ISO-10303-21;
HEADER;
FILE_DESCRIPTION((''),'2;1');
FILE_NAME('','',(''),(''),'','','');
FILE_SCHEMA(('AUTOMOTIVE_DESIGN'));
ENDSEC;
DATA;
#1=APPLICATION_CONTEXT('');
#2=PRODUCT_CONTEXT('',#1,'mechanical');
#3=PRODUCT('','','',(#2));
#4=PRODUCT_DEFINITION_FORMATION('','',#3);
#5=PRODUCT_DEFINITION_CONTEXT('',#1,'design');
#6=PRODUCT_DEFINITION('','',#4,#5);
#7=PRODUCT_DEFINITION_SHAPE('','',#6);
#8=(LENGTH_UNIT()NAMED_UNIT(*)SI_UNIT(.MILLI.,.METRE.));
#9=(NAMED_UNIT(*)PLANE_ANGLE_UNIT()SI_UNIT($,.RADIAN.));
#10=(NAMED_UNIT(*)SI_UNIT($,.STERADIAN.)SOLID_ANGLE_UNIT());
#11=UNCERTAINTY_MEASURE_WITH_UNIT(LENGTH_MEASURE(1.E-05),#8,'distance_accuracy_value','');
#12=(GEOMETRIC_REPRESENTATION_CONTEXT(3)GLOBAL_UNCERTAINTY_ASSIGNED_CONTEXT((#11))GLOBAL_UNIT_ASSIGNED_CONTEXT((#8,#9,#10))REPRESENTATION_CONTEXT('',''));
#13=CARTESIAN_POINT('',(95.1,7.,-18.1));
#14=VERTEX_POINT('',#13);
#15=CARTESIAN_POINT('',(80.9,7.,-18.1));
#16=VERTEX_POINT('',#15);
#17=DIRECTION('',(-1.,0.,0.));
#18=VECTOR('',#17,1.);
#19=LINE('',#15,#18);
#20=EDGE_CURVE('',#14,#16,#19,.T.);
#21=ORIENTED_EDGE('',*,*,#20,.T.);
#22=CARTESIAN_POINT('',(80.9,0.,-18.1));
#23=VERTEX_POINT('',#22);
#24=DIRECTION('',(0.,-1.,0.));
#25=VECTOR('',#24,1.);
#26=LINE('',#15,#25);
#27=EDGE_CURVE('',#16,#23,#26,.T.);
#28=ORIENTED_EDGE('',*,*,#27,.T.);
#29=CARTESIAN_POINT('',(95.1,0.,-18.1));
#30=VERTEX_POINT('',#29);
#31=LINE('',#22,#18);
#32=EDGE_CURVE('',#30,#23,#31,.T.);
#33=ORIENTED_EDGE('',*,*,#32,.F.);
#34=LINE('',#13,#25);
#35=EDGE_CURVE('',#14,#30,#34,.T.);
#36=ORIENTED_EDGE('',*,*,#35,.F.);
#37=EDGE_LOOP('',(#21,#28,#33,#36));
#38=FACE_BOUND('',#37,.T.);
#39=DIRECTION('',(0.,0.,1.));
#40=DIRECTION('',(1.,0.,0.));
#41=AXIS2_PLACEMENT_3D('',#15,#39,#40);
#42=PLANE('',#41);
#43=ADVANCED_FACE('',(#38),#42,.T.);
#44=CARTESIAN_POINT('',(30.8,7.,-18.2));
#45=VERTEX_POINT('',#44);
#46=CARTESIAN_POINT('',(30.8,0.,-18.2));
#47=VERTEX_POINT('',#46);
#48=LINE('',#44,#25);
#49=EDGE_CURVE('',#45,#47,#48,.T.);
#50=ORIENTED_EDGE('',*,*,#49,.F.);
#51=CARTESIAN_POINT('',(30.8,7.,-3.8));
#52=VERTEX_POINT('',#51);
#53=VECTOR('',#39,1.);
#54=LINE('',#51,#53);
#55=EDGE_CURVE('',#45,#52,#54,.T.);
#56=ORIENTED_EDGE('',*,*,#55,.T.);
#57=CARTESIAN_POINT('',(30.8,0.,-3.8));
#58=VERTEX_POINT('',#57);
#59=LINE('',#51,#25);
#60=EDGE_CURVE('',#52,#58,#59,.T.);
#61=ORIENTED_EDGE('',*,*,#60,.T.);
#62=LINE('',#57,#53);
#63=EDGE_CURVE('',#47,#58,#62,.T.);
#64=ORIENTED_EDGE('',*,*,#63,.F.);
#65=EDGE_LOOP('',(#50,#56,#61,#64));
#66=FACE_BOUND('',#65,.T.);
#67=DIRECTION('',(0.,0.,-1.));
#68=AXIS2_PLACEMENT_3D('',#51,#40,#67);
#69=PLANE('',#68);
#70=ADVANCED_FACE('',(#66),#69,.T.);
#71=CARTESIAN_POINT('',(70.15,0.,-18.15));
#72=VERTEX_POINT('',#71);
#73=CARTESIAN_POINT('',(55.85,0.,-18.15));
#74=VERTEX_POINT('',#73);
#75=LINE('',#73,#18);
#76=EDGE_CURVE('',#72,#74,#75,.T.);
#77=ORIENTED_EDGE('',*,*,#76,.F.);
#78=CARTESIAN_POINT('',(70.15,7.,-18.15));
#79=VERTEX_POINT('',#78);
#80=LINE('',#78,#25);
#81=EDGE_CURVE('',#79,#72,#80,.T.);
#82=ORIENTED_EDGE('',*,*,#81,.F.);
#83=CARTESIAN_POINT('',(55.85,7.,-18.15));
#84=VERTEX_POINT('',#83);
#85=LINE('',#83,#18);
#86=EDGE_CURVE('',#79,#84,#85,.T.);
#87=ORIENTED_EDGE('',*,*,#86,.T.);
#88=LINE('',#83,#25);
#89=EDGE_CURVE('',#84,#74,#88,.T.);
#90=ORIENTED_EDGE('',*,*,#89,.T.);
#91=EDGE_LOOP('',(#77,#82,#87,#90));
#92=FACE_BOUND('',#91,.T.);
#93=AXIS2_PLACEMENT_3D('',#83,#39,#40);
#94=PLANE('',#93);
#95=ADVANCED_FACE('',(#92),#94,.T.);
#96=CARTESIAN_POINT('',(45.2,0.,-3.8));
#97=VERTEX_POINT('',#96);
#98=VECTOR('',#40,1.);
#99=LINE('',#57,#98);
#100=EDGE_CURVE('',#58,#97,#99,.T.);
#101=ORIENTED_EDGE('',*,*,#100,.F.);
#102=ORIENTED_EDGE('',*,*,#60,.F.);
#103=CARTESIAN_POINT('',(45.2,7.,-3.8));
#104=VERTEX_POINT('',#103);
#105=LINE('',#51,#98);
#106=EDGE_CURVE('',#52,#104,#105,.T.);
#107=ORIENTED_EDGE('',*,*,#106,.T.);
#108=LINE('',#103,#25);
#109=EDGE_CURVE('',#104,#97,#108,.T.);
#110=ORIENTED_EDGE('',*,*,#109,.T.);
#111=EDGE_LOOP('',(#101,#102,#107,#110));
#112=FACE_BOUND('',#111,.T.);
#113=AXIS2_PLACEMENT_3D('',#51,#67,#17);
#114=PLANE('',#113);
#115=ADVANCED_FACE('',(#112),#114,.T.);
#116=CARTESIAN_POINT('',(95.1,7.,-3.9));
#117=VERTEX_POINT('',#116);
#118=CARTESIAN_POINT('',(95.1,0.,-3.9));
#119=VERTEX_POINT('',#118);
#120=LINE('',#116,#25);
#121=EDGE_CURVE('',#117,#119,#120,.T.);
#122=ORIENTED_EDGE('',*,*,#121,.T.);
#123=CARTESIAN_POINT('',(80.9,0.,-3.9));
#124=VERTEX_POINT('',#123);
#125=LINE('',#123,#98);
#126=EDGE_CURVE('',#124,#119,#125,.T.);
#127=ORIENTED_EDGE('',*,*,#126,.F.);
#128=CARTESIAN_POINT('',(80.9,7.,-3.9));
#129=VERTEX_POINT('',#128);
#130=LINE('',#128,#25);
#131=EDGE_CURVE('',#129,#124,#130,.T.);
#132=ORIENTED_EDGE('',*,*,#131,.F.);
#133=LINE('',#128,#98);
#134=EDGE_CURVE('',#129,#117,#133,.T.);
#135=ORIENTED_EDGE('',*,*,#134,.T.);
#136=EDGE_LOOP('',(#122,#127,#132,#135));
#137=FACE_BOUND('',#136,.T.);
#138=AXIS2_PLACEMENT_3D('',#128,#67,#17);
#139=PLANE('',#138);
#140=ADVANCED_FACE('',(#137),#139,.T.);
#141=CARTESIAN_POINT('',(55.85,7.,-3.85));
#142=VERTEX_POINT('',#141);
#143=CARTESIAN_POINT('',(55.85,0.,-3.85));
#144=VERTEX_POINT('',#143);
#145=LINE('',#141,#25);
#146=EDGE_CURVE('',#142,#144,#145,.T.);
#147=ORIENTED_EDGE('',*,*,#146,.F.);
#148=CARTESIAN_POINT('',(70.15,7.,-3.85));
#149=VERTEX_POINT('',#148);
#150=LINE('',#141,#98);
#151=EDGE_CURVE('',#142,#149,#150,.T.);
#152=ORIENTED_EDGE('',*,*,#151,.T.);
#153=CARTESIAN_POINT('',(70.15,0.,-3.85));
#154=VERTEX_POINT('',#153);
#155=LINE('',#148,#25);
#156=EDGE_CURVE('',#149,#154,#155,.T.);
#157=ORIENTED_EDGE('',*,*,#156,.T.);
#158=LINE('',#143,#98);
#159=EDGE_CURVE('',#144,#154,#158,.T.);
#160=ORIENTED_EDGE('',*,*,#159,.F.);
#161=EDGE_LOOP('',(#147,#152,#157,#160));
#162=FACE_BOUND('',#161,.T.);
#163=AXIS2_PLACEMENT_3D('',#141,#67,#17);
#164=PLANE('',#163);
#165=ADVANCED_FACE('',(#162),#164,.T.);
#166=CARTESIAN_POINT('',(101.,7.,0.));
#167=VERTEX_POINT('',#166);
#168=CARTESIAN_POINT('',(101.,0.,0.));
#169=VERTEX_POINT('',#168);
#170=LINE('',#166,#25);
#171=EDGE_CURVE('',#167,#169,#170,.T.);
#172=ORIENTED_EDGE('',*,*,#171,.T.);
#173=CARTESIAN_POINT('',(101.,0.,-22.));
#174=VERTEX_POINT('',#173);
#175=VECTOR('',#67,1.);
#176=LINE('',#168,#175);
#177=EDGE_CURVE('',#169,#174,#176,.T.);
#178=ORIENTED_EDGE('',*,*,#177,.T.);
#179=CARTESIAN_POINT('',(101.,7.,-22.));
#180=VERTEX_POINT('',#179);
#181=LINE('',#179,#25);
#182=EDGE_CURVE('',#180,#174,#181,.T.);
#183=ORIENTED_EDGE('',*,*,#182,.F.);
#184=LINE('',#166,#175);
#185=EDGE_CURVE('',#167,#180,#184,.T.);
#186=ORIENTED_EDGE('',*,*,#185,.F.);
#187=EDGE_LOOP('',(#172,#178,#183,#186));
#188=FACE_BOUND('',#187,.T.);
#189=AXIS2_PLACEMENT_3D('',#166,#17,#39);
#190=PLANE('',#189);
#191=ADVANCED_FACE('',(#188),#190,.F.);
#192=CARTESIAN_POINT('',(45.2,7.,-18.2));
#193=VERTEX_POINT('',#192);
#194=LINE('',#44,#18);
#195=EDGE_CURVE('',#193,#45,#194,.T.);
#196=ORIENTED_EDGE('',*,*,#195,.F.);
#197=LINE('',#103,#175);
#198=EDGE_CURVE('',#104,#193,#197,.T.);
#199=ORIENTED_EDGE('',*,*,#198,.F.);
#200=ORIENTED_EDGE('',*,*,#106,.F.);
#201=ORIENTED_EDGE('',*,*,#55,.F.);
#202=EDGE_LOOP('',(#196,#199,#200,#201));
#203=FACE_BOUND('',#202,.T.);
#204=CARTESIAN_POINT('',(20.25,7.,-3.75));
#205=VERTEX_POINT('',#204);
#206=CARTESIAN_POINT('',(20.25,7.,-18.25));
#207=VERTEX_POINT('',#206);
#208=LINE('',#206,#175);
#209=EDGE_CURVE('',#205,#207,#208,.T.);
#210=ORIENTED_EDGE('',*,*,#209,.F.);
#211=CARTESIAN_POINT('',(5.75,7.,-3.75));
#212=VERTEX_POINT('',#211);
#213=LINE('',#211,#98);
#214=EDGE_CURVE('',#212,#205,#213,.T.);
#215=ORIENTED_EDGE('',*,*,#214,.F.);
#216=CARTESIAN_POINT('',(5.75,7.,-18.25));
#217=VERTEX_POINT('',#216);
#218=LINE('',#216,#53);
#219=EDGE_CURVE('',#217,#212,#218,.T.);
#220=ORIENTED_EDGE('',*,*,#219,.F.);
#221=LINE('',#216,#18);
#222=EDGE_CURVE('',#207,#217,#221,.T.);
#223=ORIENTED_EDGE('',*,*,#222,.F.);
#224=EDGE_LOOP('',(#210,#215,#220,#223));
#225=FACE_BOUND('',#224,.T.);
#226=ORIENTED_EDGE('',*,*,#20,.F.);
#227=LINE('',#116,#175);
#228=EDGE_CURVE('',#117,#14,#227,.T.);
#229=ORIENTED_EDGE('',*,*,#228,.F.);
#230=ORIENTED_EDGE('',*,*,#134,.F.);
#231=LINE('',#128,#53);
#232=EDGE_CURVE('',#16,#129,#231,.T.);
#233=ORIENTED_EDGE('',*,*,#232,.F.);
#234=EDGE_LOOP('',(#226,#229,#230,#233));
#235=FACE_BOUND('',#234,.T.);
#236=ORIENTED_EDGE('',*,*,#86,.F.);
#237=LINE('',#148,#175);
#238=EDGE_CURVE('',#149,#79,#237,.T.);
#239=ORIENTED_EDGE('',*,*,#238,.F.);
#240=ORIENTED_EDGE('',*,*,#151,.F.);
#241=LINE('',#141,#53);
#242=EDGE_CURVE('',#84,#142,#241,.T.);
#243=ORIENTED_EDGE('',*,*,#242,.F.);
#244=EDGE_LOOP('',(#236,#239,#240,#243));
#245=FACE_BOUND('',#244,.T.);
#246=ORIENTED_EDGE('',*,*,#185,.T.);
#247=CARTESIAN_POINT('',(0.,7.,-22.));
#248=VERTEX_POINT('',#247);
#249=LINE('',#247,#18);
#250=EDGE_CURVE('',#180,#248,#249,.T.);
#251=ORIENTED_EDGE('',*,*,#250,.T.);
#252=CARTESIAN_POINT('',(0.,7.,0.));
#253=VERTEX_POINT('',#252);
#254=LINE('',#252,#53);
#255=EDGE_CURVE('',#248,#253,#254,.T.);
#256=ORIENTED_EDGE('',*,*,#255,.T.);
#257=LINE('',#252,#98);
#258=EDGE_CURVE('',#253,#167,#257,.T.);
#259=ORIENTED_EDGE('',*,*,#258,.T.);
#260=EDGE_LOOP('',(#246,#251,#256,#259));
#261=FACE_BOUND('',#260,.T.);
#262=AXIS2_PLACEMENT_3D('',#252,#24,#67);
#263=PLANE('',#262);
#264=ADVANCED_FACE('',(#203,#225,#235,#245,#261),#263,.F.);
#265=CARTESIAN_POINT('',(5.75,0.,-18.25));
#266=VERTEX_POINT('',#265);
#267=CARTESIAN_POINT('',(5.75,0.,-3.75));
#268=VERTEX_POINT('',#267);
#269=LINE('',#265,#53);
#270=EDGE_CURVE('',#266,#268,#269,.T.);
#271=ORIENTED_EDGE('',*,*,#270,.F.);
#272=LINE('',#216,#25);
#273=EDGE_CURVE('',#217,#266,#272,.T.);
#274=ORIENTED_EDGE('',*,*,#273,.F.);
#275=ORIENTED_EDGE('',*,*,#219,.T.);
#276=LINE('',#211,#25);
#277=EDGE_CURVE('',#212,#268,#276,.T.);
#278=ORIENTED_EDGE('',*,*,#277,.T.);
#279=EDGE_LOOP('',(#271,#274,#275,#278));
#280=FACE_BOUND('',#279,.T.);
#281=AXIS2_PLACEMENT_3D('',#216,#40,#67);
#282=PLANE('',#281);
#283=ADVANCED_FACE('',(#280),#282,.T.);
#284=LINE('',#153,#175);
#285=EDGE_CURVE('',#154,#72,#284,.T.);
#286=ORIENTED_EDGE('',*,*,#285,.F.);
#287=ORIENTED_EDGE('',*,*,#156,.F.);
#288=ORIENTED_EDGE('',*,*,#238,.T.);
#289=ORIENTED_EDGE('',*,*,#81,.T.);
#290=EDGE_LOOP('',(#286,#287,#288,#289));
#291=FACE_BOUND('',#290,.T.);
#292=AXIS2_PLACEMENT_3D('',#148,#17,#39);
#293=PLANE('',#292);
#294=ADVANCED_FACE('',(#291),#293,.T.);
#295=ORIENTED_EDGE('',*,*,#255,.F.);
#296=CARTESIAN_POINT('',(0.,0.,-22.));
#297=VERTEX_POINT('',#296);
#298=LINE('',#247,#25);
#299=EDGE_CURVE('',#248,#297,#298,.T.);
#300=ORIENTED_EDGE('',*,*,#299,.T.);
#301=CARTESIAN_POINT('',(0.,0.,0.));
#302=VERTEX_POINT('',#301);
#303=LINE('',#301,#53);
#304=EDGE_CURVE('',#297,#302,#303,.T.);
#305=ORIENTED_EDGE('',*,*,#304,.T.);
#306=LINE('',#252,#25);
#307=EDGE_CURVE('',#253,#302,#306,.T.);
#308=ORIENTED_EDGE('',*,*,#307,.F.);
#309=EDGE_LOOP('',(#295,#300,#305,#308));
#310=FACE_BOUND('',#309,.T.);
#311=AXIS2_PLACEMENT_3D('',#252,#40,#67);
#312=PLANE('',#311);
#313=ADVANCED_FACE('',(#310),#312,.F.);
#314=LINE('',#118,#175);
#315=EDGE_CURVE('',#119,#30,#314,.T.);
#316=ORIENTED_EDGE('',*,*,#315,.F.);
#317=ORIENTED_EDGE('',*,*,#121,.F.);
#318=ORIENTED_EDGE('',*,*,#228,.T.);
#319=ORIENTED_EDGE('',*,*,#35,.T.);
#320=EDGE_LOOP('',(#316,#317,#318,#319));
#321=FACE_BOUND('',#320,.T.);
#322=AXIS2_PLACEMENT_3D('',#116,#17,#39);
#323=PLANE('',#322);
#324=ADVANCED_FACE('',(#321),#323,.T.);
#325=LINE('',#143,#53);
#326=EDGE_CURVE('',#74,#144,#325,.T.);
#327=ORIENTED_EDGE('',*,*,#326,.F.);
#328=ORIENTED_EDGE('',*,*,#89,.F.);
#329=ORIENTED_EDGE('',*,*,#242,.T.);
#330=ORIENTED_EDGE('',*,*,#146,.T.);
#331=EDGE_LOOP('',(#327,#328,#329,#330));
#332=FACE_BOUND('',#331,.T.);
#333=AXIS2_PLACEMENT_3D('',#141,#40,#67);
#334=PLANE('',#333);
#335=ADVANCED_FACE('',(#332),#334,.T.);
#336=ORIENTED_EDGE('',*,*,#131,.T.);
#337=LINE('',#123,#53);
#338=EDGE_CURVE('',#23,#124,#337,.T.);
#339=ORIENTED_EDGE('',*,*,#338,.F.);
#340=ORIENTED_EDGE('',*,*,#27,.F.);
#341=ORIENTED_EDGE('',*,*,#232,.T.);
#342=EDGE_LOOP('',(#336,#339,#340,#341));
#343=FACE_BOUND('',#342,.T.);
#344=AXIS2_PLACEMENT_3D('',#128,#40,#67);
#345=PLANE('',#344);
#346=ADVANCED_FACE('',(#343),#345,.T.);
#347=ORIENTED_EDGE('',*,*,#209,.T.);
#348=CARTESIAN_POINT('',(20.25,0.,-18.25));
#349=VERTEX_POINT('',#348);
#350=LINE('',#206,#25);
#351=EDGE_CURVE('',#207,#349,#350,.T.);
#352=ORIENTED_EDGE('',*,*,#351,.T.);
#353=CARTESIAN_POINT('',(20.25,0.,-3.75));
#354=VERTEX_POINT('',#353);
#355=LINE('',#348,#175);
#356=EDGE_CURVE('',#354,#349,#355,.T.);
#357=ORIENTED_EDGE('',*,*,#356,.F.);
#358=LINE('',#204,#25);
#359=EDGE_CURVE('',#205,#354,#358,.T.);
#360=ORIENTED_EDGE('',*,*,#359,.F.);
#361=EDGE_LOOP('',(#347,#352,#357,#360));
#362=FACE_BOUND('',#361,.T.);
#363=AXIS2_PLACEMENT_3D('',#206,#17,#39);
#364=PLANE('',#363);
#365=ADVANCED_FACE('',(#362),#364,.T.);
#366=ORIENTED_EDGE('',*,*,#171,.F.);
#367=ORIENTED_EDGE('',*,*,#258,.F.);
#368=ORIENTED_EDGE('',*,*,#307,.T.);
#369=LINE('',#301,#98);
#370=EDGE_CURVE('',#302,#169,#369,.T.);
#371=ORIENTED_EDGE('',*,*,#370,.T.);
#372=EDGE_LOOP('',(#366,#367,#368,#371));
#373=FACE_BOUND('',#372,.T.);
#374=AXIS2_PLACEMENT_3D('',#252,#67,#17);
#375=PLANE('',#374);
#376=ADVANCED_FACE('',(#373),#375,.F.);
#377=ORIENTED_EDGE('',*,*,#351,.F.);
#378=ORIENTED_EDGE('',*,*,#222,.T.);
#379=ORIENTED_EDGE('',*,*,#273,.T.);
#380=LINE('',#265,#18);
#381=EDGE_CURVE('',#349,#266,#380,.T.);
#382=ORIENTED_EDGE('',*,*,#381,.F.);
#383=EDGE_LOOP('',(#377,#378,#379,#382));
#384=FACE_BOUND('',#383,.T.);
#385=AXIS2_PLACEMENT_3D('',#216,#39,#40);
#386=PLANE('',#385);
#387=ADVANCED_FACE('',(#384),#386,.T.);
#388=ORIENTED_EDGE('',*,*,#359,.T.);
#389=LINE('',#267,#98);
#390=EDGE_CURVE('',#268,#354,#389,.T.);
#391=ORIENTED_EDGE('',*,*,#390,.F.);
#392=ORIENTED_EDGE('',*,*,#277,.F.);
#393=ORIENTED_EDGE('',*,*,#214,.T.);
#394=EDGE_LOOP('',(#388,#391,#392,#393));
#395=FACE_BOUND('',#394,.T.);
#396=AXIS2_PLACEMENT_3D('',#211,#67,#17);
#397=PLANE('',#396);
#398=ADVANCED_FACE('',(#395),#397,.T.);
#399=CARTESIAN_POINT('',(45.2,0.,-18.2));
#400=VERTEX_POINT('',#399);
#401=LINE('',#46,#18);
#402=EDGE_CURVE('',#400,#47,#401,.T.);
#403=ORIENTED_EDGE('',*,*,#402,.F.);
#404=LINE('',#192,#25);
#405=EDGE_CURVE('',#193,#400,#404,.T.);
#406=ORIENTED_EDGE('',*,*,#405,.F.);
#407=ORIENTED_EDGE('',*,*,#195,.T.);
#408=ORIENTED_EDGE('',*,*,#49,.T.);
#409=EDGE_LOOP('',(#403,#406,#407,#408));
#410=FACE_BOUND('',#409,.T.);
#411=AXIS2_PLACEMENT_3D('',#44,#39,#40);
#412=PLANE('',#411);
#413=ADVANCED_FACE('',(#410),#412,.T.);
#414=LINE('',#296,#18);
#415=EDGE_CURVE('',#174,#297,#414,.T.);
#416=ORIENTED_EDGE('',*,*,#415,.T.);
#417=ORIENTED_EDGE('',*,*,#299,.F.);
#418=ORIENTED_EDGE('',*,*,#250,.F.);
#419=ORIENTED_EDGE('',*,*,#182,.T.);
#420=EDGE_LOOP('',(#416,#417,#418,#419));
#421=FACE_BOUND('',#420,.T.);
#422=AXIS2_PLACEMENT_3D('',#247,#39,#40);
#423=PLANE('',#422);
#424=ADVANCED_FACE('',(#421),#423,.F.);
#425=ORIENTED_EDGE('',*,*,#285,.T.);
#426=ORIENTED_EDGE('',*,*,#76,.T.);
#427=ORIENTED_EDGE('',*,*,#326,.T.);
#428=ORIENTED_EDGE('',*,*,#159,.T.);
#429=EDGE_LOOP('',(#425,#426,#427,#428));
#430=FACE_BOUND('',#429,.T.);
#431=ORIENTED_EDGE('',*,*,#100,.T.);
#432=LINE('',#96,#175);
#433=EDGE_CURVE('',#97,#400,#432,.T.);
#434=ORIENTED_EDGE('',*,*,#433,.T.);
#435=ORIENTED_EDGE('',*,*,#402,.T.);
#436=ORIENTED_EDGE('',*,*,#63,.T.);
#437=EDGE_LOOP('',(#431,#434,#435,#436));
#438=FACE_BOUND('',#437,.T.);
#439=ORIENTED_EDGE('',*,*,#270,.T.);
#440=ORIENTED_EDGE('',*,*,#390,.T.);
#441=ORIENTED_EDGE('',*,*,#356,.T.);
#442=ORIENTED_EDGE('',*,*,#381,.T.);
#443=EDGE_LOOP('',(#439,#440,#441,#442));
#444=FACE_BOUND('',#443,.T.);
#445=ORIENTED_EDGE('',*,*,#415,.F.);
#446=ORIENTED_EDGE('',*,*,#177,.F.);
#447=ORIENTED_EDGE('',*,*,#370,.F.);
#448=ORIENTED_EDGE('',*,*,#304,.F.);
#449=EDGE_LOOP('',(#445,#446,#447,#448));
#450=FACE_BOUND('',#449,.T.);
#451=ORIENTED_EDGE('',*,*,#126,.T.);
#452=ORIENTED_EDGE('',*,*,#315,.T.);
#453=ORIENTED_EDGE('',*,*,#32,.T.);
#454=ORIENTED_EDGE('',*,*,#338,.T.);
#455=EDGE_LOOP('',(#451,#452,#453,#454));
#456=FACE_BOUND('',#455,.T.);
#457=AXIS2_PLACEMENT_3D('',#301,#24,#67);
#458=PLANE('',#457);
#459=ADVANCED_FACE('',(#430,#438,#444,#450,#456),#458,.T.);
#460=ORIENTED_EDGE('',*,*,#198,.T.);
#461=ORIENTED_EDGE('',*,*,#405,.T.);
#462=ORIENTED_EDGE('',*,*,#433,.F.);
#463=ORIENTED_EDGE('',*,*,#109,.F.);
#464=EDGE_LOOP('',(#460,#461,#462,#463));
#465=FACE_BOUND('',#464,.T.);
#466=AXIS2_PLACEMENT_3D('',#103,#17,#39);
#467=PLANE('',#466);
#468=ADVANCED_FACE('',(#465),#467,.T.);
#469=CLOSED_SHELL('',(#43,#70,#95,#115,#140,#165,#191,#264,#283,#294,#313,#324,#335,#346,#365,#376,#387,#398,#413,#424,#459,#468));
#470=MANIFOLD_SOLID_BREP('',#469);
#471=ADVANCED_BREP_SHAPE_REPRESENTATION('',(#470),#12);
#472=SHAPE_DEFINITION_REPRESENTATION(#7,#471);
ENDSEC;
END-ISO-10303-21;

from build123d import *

# Parameters (mm, degrees)
SKETCH3_W           = 101
SKETCH3_H           = 22
SKETCH3_W_2         = 14.5
SKETCH3_H_2         = 14.5
SKETCH3_W_3         = 14.4
SKETCH3_H_3         = 14.4
SKETCH3_W_4         = 14.3
SKETCH3_H_4         = 14.3
SKETCH3_W_5         = 14.2
SKETCH3_H_5         = 14.2
BOSS_EXTRUDE5_DEPTH = 7


with BuildPart() as part:
    # Sketch3 → Boss-Extrude5 (new body)
    with BuildSketch(Plane(origin=(0, 0, 0), x_dir=(1, 0, 0), z_dir=(0, 1, 0))):
        with Locations((50.5, 11)):
            Rectangle(SKETCH3_W, SKETCH3_H)
        with Locations((13, 11)):
            Rectangle(SKETCH3_W_2, SKETCH3_H_2, mode=Mode.SUBTRACT)
        with Locations((38, 11)):
            Rectangle(SKETCH3_W_3, SKETCH3_H_3, mode=Mode.SUBTRACT)
        with Locations((63, 11)):
            Rectangle(SKETCH3_W_4, SKETCH3_H_4, mode=Mode.SUBTRACT)
        with Locations((88, 11)):
            Rectangle(SKETCH3_W_5, SKETCH3_H_5, mode=Mode.SUBTRACT)
    extrude(amount=BOSS_EXTRUDE5_DEPTH)


solid = part.part
